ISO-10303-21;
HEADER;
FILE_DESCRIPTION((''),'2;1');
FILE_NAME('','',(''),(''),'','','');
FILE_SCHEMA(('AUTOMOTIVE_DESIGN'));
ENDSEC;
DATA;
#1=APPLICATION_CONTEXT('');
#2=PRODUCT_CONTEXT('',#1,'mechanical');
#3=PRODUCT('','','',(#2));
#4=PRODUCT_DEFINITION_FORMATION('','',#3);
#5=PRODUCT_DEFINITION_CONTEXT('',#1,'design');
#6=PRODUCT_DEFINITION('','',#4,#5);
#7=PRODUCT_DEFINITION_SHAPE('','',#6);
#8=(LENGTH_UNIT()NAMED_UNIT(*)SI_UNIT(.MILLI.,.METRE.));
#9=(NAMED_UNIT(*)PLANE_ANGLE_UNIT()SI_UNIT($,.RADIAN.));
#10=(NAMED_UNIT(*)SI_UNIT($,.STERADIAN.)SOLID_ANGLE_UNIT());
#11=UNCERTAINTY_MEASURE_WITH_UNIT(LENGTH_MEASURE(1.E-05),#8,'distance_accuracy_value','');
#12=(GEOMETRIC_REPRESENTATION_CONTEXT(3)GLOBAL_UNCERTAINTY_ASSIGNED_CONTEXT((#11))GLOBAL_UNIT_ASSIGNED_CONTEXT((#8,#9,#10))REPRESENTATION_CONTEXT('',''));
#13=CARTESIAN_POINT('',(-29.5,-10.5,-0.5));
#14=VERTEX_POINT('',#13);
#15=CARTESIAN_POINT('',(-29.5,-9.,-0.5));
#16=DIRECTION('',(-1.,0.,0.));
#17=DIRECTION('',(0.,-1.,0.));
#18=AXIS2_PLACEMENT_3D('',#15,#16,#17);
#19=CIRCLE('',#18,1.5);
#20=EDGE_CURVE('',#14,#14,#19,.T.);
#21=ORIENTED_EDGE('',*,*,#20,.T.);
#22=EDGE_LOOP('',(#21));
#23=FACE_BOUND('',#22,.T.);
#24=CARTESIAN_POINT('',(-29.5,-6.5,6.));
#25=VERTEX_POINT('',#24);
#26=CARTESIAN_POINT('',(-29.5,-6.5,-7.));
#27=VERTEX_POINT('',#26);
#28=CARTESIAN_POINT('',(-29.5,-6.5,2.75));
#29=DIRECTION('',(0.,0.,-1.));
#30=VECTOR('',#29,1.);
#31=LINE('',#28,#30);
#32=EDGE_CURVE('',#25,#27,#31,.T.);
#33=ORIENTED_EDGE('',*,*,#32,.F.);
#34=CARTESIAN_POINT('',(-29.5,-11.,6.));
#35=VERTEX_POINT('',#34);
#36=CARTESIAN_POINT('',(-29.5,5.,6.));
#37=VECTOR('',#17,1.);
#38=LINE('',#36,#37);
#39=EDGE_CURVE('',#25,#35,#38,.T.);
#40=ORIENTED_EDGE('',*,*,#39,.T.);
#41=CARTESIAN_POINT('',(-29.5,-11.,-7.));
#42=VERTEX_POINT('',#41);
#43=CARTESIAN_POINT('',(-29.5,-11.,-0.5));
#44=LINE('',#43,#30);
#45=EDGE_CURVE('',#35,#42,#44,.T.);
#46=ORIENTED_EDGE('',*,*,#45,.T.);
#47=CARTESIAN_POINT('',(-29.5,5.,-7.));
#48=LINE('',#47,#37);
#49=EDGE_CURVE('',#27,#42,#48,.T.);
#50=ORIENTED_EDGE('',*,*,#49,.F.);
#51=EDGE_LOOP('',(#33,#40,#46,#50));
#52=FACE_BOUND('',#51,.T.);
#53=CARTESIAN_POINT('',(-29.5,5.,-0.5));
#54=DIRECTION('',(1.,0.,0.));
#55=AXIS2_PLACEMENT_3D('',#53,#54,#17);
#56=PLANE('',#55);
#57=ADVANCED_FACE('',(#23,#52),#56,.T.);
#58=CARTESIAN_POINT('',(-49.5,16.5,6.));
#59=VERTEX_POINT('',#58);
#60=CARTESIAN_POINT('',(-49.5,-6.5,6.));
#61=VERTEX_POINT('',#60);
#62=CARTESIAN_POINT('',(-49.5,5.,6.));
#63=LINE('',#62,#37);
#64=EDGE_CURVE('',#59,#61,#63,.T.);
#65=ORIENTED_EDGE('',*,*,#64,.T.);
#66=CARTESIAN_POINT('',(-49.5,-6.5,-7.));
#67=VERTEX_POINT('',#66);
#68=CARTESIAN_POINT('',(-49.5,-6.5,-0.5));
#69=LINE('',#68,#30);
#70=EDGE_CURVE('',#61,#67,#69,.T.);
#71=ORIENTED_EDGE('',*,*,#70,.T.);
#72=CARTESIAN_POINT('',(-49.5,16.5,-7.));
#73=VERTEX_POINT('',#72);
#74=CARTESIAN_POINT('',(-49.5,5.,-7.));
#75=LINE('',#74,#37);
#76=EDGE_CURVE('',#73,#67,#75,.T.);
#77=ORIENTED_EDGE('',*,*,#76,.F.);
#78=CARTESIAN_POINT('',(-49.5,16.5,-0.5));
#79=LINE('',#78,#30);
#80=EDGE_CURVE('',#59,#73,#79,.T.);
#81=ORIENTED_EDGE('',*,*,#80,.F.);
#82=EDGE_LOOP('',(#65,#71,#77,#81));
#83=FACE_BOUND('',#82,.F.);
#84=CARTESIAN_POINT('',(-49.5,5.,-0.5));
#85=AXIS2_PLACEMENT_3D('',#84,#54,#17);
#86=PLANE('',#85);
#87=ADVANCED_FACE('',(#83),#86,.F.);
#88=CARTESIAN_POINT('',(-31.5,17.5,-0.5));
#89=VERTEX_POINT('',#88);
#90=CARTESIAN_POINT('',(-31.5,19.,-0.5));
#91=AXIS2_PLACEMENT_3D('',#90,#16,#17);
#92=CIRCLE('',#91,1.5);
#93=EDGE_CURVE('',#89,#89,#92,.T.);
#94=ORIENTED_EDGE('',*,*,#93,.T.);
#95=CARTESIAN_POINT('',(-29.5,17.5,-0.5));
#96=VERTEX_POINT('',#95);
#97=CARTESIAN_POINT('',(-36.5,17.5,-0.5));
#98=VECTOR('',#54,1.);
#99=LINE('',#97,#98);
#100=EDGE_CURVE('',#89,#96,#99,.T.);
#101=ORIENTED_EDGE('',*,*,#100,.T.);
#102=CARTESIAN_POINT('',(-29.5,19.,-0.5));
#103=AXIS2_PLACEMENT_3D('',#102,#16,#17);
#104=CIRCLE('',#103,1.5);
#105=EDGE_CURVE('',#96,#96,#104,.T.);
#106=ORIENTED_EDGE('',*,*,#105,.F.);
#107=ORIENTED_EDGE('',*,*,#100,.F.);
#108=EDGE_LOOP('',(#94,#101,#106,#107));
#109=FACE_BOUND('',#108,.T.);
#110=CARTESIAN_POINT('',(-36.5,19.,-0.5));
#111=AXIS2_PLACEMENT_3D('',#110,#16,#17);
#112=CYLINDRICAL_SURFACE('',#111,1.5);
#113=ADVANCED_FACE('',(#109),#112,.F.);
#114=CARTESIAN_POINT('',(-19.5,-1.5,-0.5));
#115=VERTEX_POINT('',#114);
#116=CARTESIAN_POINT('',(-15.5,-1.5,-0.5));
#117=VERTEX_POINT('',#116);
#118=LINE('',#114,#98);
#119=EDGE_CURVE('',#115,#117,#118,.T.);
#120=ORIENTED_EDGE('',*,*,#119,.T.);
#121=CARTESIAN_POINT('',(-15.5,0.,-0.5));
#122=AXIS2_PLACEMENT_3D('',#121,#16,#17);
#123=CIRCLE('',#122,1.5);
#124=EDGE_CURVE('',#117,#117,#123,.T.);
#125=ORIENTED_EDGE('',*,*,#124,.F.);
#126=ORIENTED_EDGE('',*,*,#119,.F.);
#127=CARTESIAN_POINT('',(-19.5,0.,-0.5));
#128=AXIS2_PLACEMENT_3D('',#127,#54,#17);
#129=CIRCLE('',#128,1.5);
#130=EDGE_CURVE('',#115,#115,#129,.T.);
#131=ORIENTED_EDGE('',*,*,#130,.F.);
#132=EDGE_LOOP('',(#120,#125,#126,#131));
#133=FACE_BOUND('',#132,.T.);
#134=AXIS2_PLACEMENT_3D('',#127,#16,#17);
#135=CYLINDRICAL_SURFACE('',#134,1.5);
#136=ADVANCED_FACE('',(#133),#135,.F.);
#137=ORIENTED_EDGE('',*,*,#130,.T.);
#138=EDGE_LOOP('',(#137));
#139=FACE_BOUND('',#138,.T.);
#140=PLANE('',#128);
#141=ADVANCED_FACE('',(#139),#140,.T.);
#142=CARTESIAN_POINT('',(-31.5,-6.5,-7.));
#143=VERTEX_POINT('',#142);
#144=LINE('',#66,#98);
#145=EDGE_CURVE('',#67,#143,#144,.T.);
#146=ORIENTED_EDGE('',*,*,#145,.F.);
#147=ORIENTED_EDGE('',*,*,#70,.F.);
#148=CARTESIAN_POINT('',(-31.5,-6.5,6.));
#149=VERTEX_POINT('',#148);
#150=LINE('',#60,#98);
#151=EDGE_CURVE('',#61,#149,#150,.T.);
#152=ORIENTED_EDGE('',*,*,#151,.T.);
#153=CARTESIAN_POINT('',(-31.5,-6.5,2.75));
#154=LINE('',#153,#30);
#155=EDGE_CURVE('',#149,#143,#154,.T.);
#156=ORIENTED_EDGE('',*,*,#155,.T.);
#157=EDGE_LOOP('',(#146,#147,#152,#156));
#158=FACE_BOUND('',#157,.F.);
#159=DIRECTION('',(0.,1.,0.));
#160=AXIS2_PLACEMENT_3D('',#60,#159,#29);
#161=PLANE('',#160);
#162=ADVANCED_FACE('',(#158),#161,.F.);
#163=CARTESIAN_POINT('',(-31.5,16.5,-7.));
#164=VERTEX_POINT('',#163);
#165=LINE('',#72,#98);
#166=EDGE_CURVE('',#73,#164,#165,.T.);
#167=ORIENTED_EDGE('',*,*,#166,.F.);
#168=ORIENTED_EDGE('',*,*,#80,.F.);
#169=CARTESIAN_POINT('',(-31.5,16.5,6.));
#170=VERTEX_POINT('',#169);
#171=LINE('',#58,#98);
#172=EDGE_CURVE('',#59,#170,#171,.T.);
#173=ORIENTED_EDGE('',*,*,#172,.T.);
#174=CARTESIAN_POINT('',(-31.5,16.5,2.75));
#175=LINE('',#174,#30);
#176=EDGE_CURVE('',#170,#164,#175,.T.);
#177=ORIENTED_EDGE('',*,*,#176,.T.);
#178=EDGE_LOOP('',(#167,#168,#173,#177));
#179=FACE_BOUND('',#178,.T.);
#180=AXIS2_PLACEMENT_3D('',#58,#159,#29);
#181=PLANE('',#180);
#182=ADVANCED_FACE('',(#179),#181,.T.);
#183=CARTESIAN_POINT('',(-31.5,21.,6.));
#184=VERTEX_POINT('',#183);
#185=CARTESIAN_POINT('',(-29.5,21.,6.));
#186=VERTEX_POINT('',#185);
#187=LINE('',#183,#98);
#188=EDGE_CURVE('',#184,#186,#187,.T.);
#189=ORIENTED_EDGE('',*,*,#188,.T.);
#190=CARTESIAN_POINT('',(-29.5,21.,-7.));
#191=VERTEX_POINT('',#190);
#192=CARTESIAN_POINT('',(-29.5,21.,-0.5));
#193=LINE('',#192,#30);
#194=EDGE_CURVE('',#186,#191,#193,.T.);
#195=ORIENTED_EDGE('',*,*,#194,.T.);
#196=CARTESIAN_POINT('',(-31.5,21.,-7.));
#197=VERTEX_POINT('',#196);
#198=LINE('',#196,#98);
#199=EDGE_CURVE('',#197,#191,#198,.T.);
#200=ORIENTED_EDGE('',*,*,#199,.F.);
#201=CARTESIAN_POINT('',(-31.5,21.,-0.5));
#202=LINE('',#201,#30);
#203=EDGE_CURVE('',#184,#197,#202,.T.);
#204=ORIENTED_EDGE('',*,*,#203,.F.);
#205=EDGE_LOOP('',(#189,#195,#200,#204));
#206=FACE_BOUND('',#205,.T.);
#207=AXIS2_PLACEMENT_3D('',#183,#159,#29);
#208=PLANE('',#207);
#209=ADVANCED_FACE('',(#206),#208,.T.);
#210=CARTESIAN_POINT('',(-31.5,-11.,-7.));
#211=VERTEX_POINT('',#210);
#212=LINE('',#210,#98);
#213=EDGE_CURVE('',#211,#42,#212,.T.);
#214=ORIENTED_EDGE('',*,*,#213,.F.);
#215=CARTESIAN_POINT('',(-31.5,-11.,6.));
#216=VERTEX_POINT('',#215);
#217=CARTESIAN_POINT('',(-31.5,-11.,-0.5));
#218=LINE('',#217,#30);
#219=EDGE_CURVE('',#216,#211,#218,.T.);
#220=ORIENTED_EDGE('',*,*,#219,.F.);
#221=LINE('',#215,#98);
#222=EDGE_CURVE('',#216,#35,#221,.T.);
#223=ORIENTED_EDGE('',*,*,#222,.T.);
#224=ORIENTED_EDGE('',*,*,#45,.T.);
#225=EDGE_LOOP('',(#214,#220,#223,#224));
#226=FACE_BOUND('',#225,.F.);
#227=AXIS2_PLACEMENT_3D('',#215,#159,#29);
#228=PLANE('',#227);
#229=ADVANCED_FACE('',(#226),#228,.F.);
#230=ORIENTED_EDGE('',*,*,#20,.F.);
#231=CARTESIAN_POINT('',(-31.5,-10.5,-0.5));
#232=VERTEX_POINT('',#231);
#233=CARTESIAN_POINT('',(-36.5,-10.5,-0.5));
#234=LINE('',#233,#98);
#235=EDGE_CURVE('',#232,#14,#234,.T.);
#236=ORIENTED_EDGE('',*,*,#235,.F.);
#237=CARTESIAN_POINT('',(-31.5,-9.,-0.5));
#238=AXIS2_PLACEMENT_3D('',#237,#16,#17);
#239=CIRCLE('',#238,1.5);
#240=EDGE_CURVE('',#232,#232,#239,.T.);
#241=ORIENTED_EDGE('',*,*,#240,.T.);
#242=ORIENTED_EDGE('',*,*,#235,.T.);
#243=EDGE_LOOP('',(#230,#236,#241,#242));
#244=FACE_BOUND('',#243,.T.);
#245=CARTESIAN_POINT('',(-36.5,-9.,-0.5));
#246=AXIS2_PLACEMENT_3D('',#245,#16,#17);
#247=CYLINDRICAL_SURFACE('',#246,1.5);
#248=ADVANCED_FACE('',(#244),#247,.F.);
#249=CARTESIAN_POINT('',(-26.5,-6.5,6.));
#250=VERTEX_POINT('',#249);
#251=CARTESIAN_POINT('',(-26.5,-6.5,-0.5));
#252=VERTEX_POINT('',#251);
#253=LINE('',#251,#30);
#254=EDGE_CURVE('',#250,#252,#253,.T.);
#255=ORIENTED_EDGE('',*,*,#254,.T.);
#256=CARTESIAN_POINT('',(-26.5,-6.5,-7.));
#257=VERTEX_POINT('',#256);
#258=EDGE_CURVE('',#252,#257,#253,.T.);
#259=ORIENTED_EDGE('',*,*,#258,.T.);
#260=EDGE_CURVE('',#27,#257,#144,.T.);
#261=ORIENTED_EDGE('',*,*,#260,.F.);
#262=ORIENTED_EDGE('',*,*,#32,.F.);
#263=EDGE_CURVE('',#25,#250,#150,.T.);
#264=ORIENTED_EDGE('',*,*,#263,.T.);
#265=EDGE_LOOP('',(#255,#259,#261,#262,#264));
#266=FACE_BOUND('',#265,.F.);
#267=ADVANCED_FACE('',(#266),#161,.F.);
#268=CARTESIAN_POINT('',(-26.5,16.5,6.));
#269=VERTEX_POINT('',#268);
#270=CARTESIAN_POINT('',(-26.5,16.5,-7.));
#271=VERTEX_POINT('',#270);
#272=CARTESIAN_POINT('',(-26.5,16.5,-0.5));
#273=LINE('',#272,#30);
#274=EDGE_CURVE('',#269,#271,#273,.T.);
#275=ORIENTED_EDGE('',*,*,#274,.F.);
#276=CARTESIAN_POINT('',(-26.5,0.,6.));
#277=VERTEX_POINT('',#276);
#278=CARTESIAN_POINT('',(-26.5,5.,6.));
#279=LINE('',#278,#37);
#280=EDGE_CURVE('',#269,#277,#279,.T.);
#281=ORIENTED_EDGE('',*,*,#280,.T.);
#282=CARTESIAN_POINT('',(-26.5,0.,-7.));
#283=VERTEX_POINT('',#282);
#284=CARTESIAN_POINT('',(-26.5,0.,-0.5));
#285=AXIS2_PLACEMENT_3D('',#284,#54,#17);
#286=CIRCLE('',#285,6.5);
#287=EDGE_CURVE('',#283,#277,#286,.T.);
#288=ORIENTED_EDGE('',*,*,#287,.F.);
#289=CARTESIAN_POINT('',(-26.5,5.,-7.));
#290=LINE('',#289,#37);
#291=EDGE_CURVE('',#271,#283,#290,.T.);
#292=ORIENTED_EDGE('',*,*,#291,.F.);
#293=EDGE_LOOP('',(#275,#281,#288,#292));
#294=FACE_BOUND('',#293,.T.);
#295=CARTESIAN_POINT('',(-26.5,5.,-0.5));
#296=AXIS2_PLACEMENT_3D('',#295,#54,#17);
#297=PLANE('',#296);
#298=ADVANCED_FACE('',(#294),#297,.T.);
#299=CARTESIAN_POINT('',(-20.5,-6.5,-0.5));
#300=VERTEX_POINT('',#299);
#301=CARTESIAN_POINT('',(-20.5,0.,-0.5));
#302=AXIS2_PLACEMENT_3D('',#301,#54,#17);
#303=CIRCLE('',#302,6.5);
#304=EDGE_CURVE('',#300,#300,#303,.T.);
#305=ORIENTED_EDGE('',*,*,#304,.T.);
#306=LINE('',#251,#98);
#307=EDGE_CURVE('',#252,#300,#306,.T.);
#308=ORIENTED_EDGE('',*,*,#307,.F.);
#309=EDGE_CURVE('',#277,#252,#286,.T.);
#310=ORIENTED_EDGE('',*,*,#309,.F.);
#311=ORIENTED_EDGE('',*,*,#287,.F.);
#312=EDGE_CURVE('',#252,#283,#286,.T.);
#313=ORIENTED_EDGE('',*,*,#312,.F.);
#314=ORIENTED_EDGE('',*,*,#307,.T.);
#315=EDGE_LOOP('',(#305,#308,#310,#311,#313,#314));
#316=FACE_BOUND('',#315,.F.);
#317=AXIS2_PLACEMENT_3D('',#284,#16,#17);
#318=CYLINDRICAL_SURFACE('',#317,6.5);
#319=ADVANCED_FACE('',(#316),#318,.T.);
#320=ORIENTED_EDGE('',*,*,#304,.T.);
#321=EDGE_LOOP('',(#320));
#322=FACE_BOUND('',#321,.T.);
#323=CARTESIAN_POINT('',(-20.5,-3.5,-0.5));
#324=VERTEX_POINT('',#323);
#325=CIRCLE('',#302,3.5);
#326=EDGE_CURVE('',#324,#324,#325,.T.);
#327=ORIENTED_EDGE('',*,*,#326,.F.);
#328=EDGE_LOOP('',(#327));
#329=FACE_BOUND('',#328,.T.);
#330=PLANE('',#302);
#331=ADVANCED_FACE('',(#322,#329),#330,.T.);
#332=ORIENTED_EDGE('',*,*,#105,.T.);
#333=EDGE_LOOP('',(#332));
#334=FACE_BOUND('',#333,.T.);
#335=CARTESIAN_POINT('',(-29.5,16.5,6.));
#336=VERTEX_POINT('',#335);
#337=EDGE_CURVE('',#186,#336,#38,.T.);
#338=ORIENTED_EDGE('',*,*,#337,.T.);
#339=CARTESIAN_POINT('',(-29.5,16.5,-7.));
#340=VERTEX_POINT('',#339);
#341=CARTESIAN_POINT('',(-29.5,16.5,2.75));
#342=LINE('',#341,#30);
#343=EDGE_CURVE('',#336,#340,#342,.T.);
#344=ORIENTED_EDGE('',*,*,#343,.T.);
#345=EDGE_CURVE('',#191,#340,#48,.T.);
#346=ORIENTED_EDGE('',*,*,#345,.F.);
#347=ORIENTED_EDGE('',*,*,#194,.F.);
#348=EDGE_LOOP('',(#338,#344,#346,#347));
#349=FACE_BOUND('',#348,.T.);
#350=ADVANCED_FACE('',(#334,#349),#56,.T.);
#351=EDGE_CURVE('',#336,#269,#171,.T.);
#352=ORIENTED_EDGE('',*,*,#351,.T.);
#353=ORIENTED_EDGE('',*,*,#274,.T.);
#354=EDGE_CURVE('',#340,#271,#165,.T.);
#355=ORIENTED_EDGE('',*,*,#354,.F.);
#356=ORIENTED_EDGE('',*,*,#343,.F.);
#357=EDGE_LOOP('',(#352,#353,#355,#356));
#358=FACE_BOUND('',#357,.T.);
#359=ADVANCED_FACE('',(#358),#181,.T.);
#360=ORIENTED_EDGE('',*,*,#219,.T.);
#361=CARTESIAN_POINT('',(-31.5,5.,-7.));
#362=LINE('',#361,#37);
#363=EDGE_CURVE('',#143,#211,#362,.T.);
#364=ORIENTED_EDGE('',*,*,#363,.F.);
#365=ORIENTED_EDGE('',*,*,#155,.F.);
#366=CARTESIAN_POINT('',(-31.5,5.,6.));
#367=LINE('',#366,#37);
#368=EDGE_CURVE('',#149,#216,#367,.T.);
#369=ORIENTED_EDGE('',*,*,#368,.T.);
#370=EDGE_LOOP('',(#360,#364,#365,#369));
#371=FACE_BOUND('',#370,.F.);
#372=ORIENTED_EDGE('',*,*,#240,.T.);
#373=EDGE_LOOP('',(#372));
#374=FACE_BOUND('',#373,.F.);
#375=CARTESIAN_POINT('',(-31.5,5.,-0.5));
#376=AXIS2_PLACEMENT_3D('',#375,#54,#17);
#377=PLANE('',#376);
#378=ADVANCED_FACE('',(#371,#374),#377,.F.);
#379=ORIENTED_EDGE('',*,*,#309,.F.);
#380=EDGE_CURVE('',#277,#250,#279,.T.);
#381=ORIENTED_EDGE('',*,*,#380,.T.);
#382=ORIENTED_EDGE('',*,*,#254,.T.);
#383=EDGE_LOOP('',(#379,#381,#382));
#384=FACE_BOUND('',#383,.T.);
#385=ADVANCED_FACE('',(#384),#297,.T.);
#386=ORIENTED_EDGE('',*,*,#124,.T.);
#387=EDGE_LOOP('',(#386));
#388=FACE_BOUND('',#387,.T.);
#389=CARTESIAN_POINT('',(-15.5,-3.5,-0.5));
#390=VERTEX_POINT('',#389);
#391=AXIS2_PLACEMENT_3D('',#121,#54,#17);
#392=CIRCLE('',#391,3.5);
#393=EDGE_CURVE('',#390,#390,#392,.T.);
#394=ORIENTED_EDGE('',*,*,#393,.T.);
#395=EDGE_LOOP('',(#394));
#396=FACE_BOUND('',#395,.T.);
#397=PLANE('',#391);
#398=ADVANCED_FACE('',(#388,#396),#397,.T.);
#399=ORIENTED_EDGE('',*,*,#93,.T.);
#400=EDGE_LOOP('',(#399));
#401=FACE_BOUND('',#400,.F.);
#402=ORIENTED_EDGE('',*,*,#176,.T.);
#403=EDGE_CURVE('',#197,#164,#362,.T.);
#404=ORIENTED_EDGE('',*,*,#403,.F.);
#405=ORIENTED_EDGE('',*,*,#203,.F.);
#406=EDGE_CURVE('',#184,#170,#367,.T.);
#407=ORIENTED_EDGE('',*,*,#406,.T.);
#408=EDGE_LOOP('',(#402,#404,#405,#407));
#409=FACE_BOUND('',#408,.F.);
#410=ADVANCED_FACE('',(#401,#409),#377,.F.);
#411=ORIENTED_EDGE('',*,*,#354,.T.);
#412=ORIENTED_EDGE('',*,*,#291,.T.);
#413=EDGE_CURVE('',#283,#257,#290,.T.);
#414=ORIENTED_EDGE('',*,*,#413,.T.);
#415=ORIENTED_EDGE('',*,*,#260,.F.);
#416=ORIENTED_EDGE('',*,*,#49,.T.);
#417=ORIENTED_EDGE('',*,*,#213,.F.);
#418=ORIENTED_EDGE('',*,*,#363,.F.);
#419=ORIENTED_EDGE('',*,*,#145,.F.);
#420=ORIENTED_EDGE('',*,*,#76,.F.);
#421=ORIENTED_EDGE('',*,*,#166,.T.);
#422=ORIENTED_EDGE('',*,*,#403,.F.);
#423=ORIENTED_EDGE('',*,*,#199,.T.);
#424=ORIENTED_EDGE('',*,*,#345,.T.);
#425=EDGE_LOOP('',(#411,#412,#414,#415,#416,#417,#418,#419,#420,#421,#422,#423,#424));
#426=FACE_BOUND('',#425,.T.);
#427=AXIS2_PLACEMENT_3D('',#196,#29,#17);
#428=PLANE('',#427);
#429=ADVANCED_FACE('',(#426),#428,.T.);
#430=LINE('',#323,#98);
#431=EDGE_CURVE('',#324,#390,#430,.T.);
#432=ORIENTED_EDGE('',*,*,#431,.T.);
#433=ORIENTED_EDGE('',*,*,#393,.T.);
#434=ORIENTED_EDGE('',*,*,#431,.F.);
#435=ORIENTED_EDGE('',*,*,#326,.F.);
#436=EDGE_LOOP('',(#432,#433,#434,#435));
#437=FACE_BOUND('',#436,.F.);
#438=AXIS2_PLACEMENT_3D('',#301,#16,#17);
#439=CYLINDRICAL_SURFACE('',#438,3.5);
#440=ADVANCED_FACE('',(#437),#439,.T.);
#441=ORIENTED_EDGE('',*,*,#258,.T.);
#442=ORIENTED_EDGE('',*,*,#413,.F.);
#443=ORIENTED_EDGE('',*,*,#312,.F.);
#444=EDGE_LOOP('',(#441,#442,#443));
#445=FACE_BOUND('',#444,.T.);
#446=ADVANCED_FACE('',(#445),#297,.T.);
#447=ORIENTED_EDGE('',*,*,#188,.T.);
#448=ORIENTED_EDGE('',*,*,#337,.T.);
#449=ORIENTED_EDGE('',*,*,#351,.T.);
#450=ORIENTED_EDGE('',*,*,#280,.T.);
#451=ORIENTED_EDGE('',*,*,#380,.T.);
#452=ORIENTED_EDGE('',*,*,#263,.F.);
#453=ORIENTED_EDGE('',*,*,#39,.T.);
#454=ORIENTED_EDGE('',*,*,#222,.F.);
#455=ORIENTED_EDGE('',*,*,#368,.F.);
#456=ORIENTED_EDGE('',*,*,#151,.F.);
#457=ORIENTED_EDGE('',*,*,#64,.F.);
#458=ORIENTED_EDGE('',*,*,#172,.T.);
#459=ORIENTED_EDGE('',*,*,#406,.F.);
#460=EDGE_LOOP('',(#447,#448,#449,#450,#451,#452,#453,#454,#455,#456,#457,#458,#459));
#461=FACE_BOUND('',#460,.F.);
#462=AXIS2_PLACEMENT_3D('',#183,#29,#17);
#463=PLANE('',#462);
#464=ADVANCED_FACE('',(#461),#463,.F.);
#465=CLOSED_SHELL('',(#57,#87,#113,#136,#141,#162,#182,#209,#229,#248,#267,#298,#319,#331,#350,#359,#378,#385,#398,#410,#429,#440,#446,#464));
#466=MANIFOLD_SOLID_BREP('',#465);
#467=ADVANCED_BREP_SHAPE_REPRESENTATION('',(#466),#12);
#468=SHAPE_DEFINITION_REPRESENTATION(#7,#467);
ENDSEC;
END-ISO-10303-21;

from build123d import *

# Parameters (mm, degrees)
CYLINDER010_R          = 1.5
CYLINDER010_DEPTH      = 10
CYLINDER013_R          = 1.5
CYLINDER013_DEPTH      = 5
CYLINDER014_R          = 1.5
CYLINDER014_DEPTH      = 10
CYLINDER011_R          = 3.5
CYLINDER011_DEPTH      = 5
BOX004_W               = 32
BOX004_H               = 13
BOX004_DEPTH           = 2
CYLINDER012_R          = 6.5
CYLINDER012_DEPTH      = 6
BOX005_W               = 23
BOX005_H               = 13
BOX005_DEPTH           = 23
CUT002_ROLL_ANGLE      = -90
CUT002_PLACEMENT_ANGLE = -90


with BuildPart() as zylinder010:
    # Cylinder010 → Cylinder010 (new body)
    with BuildSketch(Plane(origin=(25.5, 6.5, 13), x_dir=(1, 0, 0), z_dir=(0, 0, 1))):
        Circle(CYLINDER010_R)
    extrude(amount=CYLINDER010_DEPTH)


with BuildPart() as zylinder013:
    # Cylinder013 → Cylinder013 (new body)
    with BuildSketch(Plane(origin=(16.5, 6.5, 30), x_dir=(1, 0, 0), z_dir=(0, 0, 1))):
        Circle(CYLINDER013_R)
    extrude(amount=CYLINDER013_DEPTH)


with BuildPart() as fusion004:
    # Cylinder014 → Cylinder014 (new body)
    with BuildSketch(Plane(origin=(-2.5, 6.5, 13), x_dir=(1, 0, 0), z_dir=(0, 0, 1))):
        Circle(CYLINDER014_R)
    extrude(amount=CYLINDER014_DEPTH)

    # Fusion004: union Zylinder010, Zylinder013
    add(zylinder010.part)
    add(zylinder013.part)


with BuildPart() as zylinder011:
    # Cylinder011 → Cylinder011 (new body)
    with BuildSketch(Plane(origin=(16.5, 6.5, 29), x_dir=(1, 0, 0), z_dir=(0, 0, 1))):
        Circle(CYLINDER011_R)
    extrude(amount=CYLINDER011_DEPTH)


with BuildPart() as w_rfel004:
    # Box004 → Box004 (new body)
    with BuildSketch(Plane(origin=(-4.5, 0, 18), x_dir=(1, 0, 0), z_dir=(0, 0, 1))):
        with Locations((16, 6.5)):
            Rectangle(BOX004_W, BOX004_H)
    extrude(amount=BOX004_DEPTH)


with BuildPart() as zylinder012:
    # Cylinder012 → Cylinder012 (new body)
    with BuildSketch(Plane(origin=(16.5, 6.5, 23), x_dir=(1, 0, 0), z_dir=(0, 0, 1))):
        Circle(CYLINDER012_R)
    extrude(amount=CYLINDER012_DEPTH)


with BuildPart() as servo3:
    # Box005 → Box005 (new body)
    with BuildSketch(Plane.XY):
        with Locations((11.5, 6.5)):
            Rectangle(BOX005_W, BOX005_H)
    extrude(amount=BOX005_DEPTH)

    # Fusion005: union Zylinder011, Würfel004, Zylinder012
    add(zylinder011.part)
    add(w_rfel004.part)
    add(zylinder012.part)

    # Cut002: cut Fusion004
    add(fusion004.part, mode=Mode.SUBTRACT)


with BuildPart() as servo3_1:
    # Cut002 roll: moved
    add(servo3.part.rotate(Axis((0, 0, 0), (1, 0, 0)), CUT002_ROLL_ANGLE))


with BuildPart() as servo3_2:
    # Cut002 placement: moved
    add(servo3_1.part.moved(Location((-49.5, 16.5, 6))).rotate(Axis((-49.5, 16.5, 6), (0, 0, 1)), CUT002_PLACEMENT_ANGLE))


solid = servo3_2.part
